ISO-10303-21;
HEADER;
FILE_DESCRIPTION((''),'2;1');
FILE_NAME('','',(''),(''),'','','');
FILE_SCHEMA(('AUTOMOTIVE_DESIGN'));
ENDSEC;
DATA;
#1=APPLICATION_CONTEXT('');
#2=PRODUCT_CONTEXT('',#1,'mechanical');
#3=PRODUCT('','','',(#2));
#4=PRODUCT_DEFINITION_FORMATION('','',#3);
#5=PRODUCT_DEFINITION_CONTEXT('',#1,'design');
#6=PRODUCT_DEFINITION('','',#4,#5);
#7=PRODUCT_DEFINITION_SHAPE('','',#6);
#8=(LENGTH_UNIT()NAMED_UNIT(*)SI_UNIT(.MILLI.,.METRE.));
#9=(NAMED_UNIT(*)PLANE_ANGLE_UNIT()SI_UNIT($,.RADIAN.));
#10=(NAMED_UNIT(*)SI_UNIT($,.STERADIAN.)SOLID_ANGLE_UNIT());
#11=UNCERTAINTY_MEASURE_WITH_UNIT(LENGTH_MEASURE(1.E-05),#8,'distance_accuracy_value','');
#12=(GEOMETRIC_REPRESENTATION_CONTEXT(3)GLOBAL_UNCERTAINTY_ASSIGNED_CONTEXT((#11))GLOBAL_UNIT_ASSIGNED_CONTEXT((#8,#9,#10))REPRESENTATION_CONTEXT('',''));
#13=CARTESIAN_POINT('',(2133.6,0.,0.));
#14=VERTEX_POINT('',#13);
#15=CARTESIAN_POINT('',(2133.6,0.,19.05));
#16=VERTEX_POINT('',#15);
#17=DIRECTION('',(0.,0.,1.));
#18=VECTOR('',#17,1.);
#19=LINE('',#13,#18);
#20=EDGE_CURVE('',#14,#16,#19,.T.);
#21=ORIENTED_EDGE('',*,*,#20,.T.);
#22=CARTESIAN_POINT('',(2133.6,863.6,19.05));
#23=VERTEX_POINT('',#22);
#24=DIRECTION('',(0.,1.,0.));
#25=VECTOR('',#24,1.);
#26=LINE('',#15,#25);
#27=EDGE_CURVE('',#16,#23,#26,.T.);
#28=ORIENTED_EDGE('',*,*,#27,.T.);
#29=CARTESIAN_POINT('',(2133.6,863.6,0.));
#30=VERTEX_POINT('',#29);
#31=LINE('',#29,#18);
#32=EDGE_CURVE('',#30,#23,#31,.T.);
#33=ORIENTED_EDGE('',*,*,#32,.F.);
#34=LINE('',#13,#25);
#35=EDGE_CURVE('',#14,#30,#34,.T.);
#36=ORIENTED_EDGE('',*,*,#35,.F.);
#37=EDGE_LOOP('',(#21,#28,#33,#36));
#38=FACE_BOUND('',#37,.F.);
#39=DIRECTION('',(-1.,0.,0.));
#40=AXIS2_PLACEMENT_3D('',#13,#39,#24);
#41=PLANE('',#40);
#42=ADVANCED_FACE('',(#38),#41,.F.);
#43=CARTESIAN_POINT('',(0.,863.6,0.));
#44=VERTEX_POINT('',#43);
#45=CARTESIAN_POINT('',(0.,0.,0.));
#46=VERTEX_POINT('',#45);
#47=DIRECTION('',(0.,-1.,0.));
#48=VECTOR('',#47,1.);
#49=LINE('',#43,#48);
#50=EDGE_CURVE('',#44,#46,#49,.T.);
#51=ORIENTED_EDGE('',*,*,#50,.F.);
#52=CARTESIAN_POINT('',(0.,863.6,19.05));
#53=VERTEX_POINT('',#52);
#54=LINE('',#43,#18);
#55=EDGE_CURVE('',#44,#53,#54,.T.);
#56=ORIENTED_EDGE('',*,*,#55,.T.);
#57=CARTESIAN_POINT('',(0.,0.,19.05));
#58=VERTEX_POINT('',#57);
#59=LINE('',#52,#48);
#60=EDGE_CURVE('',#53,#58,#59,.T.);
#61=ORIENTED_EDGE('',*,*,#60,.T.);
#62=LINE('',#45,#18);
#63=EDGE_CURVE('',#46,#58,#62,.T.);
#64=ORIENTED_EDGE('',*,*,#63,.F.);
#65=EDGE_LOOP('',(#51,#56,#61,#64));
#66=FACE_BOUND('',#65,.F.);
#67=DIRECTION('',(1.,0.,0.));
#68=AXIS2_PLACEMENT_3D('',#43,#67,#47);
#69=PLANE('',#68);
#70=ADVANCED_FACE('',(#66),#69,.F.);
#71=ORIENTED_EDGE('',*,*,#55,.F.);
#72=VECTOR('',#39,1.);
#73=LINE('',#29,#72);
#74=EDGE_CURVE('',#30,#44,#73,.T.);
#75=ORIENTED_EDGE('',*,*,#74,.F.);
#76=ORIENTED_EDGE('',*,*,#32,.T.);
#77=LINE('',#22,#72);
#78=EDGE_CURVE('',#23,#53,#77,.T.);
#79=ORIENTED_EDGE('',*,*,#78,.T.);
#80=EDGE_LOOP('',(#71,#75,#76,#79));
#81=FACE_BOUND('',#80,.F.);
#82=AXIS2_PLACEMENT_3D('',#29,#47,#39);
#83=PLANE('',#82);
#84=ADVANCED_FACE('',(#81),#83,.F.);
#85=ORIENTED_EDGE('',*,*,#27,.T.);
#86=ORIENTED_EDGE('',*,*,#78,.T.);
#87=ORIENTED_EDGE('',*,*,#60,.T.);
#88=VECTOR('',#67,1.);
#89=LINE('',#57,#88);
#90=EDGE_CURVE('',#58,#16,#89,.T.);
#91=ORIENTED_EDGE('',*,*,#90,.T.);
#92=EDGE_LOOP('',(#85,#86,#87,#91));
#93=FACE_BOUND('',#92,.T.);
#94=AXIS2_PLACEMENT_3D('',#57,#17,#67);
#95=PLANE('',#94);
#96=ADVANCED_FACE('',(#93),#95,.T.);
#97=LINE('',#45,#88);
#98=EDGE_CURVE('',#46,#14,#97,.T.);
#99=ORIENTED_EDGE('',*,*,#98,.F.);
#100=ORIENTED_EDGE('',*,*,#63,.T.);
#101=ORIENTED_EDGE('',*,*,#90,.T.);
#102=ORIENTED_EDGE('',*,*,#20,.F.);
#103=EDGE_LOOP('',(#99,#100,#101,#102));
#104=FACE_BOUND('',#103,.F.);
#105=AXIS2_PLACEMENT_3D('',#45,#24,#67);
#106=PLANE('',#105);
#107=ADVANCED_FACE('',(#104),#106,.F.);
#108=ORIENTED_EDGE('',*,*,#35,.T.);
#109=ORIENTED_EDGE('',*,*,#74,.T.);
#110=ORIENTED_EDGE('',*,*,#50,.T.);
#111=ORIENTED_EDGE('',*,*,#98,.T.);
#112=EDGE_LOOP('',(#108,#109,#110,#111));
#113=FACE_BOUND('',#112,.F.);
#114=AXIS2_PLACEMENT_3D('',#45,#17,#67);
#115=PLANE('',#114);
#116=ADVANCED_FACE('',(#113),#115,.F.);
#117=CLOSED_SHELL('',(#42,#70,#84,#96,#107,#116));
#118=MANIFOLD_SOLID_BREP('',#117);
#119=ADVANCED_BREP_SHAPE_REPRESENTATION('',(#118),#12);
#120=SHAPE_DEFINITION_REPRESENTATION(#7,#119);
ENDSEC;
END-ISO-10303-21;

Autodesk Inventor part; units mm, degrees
ref_plane "YZ Plane" through (0, 0, 0) normal (1, 0, 0) x (0, 1, 0)
ref_plane "XZ Plane" through (0, 0, 0) normal (0, 1, 0) x (-1, 0, 0)
ref_plane "XY Plane" through (0, 0, 0) normal (0, 0, 1) x (1, 0, 0)
sketch "Sketch1" plane through (0, 0, 0) normal (0, 0, 1) x (1, 0, 0)
  line L0 (0, 0) -> (2133.6, 0)
  line L1 (2133.6, 0) -> (2133.6, 863.6)
  line L2 (2133.6, 863.6) -> (0, 863.6)
  line L3 (0, 863.6) -> (0, 0)
  dimension "d1" = 2133.6
  dimension "d2" = 863.6
extrude "Extrusion1" add sketch "Sketch1" along normal blind 19.05
properties part number "Plywood--0.75_x_34_x_88_in" material "Wood (Southern Pine)"
